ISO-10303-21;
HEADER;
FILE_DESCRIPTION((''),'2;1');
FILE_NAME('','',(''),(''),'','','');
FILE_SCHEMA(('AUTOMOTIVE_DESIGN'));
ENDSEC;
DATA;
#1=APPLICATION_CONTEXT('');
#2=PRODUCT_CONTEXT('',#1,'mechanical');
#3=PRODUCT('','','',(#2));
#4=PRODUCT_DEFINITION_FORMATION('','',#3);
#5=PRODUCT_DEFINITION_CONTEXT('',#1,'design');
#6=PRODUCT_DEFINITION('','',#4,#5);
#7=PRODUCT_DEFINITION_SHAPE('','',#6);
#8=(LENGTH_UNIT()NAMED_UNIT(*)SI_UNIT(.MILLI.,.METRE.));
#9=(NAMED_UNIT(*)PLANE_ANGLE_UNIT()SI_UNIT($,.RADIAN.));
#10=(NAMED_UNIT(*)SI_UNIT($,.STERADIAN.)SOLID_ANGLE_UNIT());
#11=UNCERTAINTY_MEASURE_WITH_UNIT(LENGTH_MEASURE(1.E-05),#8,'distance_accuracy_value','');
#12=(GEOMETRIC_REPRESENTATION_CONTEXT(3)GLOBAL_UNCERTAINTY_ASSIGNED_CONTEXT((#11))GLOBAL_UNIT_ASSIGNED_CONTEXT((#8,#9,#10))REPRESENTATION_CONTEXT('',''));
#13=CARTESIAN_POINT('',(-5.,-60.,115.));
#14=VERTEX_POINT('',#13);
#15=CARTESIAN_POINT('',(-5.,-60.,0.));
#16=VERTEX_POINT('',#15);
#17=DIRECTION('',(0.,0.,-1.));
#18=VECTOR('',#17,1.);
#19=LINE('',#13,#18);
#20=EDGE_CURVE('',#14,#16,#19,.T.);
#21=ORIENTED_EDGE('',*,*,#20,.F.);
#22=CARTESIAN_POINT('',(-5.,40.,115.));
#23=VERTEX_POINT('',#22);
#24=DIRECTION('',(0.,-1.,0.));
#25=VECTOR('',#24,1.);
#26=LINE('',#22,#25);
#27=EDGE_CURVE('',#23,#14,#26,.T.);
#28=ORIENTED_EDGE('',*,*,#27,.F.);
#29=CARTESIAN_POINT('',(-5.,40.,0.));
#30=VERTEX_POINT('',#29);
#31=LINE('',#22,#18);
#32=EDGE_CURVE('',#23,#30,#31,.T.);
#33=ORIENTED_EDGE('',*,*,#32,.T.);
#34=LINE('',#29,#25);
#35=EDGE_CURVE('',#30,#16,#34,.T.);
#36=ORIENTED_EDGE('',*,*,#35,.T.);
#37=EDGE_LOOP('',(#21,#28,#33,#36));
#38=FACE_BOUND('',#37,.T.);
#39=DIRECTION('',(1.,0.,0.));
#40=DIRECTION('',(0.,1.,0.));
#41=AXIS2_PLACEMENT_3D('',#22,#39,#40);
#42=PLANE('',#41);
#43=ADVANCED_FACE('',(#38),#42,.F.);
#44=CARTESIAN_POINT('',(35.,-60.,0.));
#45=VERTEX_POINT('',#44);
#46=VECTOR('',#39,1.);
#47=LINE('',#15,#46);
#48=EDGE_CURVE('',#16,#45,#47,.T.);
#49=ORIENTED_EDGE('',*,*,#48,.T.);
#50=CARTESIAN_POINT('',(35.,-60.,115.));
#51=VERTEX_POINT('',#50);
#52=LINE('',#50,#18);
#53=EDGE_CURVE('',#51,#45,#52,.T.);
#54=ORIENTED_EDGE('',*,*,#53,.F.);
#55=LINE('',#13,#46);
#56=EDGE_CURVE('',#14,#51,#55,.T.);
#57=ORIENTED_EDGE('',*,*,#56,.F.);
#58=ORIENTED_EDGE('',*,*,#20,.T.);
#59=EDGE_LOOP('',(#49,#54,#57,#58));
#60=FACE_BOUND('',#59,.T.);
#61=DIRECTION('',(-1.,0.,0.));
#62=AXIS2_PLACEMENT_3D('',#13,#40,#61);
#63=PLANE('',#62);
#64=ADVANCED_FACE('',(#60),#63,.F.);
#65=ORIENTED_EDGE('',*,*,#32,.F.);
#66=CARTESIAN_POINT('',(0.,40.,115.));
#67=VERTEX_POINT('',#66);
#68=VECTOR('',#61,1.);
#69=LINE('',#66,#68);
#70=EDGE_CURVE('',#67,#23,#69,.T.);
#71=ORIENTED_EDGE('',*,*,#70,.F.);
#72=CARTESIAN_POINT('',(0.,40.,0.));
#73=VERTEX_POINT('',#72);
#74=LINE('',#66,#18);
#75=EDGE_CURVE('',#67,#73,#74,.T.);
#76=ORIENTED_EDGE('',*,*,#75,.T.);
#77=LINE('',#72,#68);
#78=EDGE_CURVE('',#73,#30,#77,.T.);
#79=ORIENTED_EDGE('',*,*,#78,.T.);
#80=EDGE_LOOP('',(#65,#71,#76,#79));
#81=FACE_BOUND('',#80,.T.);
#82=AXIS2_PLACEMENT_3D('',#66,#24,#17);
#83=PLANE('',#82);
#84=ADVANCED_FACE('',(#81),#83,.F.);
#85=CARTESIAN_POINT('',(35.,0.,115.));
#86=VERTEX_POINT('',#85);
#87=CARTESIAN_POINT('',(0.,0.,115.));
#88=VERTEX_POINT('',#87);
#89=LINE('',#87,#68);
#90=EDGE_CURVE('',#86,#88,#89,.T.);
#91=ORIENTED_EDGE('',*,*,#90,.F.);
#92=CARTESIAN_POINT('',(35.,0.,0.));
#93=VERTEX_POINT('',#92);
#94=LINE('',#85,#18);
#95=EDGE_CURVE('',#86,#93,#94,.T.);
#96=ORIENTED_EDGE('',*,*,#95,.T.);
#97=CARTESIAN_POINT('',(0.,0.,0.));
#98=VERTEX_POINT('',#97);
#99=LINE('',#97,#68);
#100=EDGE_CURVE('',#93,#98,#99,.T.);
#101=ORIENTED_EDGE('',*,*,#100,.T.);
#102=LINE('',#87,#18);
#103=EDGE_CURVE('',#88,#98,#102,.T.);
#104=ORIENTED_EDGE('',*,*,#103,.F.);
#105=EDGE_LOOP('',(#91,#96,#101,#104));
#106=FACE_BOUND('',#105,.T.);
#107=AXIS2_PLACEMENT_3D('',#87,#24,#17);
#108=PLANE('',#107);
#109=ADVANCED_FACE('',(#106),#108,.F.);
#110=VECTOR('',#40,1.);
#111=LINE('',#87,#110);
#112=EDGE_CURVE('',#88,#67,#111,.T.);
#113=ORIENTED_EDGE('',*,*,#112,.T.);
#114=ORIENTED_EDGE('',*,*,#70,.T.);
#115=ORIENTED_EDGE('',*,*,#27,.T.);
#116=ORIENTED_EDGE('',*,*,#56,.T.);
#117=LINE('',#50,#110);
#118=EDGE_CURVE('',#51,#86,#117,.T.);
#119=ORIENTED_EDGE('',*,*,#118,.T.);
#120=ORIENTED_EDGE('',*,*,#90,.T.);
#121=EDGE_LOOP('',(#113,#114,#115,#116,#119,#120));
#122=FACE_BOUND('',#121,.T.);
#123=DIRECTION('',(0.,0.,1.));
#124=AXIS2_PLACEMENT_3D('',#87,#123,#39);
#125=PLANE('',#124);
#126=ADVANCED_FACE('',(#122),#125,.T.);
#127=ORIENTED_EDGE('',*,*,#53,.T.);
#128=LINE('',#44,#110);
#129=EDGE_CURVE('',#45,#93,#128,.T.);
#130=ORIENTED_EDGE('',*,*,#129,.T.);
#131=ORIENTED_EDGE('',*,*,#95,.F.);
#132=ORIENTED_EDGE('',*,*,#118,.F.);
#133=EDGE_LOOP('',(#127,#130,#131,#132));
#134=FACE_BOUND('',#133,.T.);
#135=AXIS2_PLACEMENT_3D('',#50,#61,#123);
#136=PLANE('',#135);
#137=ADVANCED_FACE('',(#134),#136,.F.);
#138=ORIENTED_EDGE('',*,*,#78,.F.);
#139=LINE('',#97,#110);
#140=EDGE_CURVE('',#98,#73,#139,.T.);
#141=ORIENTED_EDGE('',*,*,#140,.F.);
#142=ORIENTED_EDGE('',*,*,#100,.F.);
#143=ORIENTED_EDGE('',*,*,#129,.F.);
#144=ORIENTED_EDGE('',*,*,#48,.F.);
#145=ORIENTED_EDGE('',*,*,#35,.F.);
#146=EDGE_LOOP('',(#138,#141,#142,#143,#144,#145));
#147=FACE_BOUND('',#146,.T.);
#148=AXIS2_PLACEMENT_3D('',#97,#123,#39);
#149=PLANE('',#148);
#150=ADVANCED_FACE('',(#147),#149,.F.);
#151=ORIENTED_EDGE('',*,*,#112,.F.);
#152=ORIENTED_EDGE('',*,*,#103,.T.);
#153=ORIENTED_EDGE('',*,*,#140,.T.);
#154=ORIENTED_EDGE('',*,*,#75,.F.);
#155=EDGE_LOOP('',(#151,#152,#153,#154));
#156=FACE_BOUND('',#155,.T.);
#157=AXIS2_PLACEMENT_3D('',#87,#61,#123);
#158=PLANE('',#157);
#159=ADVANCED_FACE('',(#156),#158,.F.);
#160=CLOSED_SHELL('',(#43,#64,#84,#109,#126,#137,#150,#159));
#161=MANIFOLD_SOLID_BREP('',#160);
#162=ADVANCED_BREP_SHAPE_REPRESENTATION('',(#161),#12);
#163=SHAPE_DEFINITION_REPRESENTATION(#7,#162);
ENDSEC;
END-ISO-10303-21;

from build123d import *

# Parameters (mm, degrees)
BOSS_EXTRUDE1_DEPTH = 115


with BuildPart() as part:
    # Sketch1 → Boss-Extrude1 (new body)
    with BuildSketch(Plane.XY):
        Polygon((0, 0), (0, 40), (-5, 40), (-5, -60), (35, -60), (35, 0), align=None)
    extrude(amount=BOSS_EXTRUDE1_DEPTH)


solid = part.part
